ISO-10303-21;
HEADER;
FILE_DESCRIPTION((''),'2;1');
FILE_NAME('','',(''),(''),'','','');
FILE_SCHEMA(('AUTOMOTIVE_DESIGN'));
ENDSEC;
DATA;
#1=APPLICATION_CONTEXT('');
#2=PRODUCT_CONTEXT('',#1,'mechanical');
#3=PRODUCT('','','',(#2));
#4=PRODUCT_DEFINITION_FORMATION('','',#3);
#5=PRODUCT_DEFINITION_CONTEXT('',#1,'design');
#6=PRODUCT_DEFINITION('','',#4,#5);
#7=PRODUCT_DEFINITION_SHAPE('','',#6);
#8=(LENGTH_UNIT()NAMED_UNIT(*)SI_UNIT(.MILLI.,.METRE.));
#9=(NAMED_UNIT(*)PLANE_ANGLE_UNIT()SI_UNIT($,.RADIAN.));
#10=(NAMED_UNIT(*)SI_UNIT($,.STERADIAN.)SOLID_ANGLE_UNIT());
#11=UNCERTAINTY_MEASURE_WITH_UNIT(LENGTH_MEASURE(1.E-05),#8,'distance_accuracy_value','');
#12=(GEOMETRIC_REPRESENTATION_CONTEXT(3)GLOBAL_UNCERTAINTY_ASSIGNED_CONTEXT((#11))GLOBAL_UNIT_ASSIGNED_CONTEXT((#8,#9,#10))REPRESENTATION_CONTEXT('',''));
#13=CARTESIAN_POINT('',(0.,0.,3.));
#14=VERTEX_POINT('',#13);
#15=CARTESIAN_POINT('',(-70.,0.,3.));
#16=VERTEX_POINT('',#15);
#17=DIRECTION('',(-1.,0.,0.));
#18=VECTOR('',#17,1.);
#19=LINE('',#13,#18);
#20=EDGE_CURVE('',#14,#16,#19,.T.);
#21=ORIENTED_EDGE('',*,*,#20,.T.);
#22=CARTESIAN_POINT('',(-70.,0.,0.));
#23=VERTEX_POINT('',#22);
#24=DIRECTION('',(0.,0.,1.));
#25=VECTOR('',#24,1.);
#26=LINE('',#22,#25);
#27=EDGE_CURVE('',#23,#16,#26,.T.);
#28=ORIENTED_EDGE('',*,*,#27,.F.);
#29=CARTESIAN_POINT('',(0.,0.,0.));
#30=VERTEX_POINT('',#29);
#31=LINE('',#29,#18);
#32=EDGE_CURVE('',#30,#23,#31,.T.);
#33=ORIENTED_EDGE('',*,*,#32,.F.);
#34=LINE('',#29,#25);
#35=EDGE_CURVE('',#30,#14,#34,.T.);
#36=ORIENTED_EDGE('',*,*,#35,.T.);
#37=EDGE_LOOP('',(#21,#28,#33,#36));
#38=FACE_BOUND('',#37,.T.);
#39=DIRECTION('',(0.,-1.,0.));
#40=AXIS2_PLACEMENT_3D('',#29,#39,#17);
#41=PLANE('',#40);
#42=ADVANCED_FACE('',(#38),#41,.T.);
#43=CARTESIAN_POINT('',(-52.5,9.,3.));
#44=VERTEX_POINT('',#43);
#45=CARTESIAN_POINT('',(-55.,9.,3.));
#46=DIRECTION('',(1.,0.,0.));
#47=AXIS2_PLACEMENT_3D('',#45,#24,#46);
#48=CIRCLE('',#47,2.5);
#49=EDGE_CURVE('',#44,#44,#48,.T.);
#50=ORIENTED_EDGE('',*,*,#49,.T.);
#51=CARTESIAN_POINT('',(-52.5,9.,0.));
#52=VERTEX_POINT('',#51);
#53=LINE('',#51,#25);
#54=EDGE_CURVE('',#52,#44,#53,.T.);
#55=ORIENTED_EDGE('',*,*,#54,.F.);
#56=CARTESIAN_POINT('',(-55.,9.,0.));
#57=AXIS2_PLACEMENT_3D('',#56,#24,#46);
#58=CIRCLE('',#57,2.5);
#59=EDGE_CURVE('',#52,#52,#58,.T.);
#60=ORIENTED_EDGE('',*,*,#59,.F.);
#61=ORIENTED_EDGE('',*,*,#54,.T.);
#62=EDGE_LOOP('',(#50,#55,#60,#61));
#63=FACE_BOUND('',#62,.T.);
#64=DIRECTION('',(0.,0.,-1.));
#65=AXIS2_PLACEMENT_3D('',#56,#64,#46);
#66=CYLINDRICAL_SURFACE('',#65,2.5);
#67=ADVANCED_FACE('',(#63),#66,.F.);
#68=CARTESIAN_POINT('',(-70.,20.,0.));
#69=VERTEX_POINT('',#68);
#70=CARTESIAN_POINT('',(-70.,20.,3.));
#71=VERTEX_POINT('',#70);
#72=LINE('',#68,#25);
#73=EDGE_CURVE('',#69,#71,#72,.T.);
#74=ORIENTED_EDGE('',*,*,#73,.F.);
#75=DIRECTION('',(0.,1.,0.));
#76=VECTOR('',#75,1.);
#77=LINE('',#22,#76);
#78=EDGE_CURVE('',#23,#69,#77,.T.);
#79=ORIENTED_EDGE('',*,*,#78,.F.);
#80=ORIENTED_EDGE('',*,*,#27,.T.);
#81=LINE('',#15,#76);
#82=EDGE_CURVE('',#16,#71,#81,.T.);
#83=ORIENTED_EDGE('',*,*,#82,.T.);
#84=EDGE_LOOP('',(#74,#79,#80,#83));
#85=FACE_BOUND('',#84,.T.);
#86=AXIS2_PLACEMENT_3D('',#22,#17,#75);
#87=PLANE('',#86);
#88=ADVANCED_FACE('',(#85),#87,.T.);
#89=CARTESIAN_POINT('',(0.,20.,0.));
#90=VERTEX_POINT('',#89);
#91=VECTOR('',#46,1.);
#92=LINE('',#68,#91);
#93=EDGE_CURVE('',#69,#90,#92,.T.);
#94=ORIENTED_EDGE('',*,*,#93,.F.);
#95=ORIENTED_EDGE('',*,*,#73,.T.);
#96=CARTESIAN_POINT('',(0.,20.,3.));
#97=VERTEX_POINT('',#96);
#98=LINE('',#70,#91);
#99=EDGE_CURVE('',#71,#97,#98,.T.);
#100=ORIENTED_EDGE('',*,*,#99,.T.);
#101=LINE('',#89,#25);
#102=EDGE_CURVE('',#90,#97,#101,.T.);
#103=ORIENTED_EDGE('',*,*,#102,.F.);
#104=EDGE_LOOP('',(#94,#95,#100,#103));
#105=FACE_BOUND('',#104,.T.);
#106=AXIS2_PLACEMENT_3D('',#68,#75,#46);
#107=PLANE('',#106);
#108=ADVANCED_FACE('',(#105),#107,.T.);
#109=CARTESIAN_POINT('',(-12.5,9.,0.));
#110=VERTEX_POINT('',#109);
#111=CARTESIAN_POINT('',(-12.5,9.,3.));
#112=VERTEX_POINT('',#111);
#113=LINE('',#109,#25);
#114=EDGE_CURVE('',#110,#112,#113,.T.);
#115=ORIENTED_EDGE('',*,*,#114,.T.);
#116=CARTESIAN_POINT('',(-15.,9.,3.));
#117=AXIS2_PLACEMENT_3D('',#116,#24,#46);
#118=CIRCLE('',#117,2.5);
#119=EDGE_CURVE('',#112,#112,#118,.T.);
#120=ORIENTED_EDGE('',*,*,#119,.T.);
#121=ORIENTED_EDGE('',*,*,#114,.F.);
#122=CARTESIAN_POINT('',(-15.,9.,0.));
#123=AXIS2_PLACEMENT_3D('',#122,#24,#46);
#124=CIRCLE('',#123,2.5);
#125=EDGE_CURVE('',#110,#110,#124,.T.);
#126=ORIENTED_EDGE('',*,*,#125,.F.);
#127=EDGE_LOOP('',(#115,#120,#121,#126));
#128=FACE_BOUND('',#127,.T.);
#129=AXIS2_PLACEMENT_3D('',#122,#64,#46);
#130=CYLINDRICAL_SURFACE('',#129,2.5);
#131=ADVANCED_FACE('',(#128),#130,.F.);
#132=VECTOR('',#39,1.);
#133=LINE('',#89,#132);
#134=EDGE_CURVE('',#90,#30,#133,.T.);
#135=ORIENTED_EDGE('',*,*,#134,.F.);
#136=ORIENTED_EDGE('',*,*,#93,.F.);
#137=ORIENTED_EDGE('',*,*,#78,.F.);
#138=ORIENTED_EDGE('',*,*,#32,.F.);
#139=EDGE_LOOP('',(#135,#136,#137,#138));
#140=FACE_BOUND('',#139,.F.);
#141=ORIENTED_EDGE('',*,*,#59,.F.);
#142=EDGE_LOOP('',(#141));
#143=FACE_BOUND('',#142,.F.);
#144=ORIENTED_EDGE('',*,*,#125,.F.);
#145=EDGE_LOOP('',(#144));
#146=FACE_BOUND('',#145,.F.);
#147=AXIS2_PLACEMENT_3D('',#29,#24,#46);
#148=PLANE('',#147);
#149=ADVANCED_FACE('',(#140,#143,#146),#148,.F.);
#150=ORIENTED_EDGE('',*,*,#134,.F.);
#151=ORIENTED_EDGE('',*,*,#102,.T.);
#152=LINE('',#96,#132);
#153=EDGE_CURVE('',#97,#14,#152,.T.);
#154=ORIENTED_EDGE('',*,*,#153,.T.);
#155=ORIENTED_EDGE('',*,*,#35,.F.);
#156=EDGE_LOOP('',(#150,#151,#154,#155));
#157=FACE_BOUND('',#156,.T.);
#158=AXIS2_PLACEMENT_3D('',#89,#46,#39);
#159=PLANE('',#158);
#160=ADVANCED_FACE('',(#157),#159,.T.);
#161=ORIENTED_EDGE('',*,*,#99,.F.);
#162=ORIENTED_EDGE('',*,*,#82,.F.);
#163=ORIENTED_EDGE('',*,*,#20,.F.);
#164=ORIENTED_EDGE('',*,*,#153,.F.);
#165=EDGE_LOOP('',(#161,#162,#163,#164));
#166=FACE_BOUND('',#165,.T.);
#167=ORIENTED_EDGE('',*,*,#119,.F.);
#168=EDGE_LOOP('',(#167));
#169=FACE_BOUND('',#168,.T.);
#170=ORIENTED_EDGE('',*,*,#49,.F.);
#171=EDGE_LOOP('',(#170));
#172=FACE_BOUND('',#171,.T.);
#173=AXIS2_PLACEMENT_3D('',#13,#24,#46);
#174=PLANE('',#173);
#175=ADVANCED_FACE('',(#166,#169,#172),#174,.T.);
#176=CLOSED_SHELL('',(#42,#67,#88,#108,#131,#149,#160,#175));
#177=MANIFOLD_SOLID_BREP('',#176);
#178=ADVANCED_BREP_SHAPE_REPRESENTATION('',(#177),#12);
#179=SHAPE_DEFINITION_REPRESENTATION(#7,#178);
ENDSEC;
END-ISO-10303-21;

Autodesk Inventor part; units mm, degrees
ref_plane "YZ Plane" through (0, 0, 0) normal (1, 0, 0) x (0, 1, 0)
ref_plane "XZ Plane" through (0, 0, 0) normal (0, 1, 0) x (-1, 0, 0)
ref_plane "XY Plane" through (0, 0, 0) normal (0, 0, 1) x (1, 0, 0)
sketch "Sketch1" plane through (0, 0, 0) normal (0, 0, 1) x (1, 0, 0)
  line L0 (0, 0) -> (-70, 0)
  line L1 (-70, 0) -> (-70, 20)
  line L2 (-70, 20) -> (0, 20)
  line L3 (0, 20) -> (0, 0)
  circle A0 centre (-15, 9) radius 2.5
  circle A1 centre (-55, 9) radius 2.5
  dimension "d0" = 70
  dimension "d1" = 20
  dimension "d2" = 5
  dimension "d3" = 5
  dimension "d4" = 15
  dimension "d5" = 40
  dimension "d8" = 9
  dimension "d9" = 9
extrude "Extrusion1" add sketch "Sketch1" along normal blind 3
properties part number "EndcapSpacer"
